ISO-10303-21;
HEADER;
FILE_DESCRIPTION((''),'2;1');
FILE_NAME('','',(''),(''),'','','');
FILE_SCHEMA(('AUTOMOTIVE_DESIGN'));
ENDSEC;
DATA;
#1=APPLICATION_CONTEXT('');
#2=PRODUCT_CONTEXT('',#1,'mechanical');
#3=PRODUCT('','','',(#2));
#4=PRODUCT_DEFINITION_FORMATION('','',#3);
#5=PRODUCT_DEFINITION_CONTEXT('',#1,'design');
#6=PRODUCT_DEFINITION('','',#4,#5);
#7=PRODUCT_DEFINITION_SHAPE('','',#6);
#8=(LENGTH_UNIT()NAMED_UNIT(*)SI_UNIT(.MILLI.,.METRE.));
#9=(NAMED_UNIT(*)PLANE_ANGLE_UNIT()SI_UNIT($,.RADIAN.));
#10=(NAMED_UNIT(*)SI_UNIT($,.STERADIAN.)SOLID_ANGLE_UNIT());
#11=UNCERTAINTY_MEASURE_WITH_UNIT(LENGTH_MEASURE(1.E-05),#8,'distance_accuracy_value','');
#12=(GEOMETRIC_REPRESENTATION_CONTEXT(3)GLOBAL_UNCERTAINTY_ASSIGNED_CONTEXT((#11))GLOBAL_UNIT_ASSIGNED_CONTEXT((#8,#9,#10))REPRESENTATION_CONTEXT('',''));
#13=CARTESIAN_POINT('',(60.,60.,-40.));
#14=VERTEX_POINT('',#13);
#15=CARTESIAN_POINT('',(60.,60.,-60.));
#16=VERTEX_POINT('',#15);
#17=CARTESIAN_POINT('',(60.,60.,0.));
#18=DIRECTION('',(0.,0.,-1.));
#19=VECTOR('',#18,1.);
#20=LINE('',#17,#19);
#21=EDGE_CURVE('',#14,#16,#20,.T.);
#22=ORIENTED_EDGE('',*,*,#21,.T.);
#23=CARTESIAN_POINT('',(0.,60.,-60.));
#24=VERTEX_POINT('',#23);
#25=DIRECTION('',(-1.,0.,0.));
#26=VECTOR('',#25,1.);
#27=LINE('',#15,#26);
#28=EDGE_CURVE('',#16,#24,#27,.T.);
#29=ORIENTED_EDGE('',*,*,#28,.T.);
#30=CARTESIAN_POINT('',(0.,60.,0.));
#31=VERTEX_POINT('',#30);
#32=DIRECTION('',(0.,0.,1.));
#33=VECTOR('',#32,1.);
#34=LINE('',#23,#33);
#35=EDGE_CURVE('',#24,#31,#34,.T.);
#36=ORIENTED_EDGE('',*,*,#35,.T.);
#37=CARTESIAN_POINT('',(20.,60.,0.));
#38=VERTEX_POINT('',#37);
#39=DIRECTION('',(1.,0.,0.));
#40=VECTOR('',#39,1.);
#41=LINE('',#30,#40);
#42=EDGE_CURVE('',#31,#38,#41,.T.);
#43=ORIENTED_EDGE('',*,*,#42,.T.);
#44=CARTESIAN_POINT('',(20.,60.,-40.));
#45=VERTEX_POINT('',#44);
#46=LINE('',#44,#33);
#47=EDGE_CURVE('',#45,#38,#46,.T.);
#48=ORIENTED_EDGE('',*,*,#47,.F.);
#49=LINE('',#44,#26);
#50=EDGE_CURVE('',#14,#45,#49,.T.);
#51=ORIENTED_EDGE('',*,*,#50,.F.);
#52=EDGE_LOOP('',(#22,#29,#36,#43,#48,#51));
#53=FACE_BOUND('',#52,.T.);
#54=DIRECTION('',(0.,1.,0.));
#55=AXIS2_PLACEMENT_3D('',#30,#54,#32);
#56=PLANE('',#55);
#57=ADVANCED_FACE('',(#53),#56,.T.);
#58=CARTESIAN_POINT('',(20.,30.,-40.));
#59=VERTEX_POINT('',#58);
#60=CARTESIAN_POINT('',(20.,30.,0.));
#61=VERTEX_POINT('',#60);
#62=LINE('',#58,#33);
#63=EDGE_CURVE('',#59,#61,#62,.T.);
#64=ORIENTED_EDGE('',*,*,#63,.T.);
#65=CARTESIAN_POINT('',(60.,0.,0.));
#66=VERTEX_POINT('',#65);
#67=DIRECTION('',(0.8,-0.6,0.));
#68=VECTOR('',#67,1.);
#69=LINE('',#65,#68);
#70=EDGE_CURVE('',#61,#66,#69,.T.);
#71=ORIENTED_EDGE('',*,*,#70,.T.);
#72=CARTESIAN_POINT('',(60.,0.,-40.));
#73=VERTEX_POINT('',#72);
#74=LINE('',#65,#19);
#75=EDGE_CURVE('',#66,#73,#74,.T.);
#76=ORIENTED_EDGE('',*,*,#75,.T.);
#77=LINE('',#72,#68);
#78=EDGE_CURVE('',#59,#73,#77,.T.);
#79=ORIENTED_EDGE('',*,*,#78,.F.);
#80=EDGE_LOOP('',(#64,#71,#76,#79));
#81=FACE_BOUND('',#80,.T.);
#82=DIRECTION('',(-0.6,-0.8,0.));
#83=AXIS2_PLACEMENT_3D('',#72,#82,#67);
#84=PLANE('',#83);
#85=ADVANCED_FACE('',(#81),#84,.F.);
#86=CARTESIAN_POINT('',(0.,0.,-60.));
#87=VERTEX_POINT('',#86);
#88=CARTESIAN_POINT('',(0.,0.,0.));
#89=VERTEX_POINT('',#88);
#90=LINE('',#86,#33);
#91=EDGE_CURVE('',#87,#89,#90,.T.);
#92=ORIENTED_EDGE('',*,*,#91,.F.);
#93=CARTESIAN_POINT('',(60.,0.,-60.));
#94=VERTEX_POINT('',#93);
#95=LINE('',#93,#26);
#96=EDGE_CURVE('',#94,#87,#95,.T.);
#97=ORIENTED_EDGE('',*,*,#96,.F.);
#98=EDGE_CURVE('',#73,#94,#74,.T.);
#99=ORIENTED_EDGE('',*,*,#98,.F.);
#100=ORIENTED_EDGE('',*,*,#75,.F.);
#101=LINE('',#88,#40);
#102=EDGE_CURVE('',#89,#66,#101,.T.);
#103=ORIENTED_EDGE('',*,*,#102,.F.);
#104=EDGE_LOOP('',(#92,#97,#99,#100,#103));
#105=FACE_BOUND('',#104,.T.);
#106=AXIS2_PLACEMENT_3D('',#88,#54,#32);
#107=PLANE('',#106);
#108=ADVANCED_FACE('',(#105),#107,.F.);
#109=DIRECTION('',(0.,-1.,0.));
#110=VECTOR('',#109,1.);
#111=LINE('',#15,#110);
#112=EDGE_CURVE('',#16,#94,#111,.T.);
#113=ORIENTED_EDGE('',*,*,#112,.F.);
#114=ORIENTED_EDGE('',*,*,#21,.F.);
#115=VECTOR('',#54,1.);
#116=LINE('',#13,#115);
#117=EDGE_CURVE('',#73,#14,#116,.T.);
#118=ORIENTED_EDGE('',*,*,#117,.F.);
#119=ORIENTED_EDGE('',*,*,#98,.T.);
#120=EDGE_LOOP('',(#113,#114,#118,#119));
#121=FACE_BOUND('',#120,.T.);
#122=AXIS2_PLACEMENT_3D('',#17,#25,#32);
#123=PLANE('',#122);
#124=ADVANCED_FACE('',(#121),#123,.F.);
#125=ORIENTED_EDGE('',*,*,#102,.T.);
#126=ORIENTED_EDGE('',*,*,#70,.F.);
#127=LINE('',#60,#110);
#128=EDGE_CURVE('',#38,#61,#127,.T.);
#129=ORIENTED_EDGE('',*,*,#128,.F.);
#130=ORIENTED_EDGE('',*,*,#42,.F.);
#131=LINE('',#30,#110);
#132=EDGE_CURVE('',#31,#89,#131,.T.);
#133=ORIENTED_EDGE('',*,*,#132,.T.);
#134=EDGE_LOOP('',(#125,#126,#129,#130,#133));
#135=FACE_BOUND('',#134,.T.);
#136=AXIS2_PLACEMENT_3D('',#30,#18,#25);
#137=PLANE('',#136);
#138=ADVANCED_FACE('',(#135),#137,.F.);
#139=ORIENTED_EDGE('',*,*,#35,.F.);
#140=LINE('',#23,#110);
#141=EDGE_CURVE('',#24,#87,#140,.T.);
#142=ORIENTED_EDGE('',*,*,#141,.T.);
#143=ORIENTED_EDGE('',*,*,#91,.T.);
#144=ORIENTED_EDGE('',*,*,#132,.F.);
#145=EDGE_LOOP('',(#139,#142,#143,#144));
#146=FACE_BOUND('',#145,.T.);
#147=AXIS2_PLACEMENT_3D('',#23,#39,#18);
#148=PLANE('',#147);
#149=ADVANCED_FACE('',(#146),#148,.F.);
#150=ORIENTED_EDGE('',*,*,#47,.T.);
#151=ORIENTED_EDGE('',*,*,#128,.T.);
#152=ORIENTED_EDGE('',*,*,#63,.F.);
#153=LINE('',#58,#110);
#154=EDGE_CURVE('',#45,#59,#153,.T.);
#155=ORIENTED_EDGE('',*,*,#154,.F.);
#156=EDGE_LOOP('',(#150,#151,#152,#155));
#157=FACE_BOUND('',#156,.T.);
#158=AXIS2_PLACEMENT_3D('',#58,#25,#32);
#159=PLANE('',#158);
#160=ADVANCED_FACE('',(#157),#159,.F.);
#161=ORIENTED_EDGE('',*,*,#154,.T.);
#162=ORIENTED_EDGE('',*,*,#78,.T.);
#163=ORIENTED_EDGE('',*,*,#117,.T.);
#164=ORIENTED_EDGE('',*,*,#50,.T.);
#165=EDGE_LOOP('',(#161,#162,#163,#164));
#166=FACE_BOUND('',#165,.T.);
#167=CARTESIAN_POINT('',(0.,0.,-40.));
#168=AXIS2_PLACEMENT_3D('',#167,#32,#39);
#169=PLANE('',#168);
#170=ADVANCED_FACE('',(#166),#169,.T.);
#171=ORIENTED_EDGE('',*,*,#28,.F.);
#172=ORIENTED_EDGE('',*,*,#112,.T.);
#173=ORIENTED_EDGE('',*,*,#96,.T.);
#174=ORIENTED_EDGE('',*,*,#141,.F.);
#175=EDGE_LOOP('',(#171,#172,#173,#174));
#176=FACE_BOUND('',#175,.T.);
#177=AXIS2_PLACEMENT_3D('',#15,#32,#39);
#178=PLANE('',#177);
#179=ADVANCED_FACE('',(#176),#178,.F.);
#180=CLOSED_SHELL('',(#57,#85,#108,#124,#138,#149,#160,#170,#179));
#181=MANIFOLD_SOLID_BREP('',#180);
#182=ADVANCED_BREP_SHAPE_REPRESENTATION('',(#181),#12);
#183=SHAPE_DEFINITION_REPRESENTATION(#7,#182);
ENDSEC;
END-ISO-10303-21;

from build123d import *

# Parameters (mm, degrees)
CROQUIS2_W              = 60
CROQUIS2_H              = 60
SALIENTE_EXTRUIR1_DEPTH = 60
CORTAR_EXTRUIR1_DEPTH   = 40


with BuildPart() as part:
    # Croquis2 → Saliente-Extruir1 (new body)
    with BuildSketch(Plane(origin=(0, 0, 0), x_dir=(1, 0, 0), z_dir=(0, 1, 0))):
        with Locations((30, 30)):
            Rectangle(CROQUIS2_W, CROQUIS2_H)
    extrude(amount=SALIENTE_EXTRUIR1_DEPTH)

    # Croquis3 → Cortar-Extruir1 (cut)
    with BuildSketch(Plane.XY):
        Polygon((60, 0), (20, 30), (20, 60), (60, 60), align=None)
    extrude(amount=-CORTAR_EXTRUIR1_DEPTH, mode=Mode.SUBTRACT)


solid = part.part
